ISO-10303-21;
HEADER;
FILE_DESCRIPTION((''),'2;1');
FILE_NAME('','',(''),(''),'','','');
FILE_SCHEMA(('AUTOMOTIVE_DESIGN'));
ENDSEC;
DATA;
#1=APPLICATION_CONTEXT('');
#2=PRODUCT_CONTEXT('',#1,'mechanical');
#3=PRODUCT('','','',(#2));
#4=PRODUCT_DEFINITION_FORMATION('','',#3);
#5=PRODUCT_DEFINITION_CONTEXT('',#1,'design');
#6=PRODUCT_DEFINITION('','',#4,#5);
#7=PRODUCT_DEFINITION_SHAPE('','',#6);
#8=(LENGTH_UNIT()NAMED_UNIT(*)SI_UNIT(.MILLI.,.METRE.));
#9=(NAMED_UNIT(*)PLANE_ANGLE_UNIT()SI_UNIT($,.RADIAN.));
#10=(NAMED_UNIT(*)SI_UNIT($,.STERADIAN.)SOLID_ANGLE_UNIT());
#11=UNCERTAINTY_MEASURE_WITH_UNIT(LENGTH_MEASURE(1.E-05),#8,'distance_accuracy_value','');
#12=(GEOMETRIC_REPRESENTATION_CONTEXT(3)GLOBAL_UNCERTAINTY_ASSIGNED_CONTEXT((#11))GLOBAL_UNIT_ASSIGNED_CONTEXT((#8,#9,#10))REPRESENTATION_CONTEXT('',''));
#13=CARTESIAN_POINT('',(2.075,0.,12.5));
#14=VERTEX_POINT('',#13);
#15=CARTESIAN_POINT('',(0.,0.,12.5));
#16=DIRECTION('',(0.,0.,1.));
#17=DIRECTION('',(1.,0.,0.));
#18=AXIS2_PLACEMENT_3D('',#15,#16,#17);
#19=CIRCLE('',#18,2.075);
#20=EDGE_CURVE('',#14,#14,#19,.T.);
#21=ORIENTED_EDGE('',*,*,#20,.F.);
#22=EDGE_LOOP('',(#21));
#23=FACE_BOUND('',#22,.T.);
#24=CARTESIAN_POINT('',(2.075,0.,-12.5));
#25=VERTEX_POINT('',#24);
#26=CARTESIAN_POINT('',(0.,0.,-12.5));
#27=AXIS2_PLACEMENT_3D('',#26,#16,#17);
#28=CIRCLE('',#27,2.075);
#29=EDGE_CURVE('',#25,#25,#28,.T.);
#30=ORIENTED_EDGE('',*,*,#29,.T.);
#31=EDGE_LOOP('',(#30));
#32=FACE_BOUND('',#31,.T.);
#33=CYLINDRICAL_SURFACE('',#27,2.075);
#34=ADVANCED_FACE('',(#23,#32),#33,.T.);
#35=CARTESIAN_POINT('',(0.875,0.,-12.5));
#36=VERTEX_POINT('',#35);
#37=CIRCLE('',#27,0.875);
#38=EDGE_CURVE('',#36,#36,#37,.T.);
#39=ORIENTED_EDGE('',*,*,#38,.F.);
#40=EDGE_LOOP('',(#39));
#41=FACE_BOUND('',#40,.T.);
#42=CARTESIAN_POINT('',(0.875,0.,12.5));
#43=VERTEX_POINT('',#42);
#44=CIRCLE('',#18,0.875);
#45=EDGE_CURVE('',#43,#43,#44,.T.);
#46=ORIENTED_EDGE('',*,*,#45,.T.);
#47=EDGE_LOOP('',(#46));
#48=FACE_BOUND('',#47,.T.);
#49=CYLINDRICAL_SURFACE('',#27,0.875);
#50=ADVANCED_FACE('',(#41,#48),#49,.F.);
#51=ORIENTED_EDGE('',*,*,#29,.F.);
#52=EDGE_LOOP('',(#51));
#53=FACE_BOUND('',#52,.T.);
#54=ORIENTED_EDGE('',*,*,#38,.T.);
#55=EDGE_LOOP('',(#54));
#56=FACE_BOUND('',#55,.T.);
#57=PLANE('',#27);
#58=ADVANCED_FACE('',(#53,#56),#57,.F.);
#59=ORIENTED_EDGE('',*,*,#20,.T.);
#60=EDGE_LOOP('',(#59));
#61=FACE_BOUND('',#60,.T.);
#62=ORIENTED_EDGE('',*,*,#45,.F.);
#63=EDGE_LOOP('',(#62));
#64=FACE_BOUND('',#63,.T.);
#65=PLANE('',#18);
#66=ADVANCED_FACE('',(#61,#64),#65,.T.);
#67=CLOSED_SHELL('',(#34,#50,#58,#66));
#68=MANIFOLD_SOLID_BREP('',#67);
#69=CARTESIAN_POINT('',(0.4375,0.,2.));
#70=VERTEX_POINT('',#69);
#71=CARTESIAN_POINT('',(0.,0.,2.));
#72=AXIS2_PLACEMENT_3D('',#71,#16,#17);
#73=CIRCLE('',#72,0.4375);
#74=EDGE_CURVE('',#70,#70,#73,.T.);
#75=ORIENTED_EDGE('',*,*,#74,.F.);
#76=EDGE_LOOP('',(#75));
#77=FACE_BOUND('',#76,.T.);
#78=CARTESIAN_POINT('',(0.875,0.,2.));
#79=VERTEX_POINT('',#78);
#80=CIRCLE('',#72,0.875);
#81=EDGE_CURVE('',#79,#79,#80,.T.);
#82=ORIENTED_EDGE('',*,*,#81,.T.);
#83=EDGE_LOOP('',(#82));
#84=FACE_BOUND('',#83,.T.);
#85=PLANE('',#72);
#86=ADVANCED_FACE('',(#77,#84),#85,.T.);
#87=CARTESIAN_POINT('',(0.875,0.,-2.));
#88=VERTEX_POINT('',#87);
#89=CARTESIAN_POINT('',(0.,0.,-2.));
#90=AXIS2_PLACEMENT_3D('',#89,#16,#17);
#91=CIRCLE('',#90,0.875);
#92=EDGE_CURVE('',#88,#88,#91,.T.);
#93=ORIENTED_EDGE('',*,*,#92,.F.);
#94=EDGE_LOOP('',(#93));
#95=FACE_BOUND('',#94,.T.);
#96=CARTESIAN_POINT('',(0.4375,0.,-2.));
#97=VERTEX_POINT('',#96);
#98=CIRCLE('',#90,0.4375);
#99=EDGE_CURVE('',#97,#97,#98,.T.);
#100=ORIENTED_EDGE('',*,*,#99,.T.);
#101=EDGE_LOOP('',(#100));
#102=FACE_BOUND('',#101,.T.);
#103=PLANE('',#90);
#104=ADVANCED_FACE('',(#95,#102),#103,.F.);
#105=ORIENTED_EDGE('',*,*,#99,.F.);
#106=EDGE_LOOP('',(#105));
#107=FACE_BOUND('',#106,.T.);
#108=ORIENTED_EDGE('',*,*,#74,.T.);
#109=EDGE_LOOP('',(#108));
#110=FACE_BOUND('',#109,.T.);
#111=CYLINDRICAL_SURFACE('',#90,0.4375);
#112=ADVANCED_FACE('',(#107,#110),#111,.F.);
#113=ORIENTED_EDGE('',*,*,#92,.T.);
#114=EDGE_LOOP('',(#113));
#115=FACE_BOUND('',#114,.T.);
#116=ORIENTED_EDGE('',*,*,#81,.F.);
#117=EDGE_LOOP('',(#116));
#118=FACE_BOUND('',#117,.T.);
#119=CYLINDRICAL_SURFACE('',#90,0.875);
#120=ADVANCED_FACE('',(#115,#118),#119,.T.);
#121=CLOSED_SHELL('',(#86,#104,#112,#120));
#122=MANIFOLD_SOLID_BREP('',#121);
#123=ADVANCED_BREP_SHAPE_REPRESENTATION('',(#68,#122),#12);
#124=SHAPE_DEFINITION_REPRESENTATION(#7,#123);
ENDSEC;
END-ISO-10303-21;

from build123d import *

# Parameters (mm, degrees)
EXTRUDE_1_DEPTH      = 12.5
EXTRUDE_1_DEPTH_BACK = 12.5
SKETCH_1_R           = 2.075
SKETCH_1_R_2         = 0.875
EXTRUDE_2_DEPTH      = 2
EXTRUDE_2_DEPTH_BACK = 2
SKETCH_2_R           = 0.875
SKETCH_2_R_2         = 0.4375


with BuildPart() as part:
    # Эскиз1 → Бобышка-Вытянуть1 (new, two sides: drawn at the far end of the back side and taken through both)
    with BuildSketch(Plane.XY.offset(-EXTRUDE_1_DEPTH_BACK)):
        Circle(SKETCH_1_R)
        Circle(SKETCH_1_R_2, mode=Mode.SUBTRACT)
    extrude(amount=EXTRUDE_1_DEPTH + EXTRUDE_1_DEPTH_BACK)


with BuildPart() as body_2:
    # Эскиз2 → Бобышка-Вытянуть2 (new, two sides: drawn at the far end of the back side and taken through both)
    with BuildSketch(Plane.XY.offset(-EXTRUDE_2_DEPTH_BACK)):
        Circle(SKETCH_2_R)
        Circle(SKETCH_2_R_2, mode=Mode.SUBTRACT)
    extrude(amount=EXTRUDE_2_DEPTH + EXTRUDE_2_DEPTH_BACK)


solid = Compound([part.part, body_2.part])
